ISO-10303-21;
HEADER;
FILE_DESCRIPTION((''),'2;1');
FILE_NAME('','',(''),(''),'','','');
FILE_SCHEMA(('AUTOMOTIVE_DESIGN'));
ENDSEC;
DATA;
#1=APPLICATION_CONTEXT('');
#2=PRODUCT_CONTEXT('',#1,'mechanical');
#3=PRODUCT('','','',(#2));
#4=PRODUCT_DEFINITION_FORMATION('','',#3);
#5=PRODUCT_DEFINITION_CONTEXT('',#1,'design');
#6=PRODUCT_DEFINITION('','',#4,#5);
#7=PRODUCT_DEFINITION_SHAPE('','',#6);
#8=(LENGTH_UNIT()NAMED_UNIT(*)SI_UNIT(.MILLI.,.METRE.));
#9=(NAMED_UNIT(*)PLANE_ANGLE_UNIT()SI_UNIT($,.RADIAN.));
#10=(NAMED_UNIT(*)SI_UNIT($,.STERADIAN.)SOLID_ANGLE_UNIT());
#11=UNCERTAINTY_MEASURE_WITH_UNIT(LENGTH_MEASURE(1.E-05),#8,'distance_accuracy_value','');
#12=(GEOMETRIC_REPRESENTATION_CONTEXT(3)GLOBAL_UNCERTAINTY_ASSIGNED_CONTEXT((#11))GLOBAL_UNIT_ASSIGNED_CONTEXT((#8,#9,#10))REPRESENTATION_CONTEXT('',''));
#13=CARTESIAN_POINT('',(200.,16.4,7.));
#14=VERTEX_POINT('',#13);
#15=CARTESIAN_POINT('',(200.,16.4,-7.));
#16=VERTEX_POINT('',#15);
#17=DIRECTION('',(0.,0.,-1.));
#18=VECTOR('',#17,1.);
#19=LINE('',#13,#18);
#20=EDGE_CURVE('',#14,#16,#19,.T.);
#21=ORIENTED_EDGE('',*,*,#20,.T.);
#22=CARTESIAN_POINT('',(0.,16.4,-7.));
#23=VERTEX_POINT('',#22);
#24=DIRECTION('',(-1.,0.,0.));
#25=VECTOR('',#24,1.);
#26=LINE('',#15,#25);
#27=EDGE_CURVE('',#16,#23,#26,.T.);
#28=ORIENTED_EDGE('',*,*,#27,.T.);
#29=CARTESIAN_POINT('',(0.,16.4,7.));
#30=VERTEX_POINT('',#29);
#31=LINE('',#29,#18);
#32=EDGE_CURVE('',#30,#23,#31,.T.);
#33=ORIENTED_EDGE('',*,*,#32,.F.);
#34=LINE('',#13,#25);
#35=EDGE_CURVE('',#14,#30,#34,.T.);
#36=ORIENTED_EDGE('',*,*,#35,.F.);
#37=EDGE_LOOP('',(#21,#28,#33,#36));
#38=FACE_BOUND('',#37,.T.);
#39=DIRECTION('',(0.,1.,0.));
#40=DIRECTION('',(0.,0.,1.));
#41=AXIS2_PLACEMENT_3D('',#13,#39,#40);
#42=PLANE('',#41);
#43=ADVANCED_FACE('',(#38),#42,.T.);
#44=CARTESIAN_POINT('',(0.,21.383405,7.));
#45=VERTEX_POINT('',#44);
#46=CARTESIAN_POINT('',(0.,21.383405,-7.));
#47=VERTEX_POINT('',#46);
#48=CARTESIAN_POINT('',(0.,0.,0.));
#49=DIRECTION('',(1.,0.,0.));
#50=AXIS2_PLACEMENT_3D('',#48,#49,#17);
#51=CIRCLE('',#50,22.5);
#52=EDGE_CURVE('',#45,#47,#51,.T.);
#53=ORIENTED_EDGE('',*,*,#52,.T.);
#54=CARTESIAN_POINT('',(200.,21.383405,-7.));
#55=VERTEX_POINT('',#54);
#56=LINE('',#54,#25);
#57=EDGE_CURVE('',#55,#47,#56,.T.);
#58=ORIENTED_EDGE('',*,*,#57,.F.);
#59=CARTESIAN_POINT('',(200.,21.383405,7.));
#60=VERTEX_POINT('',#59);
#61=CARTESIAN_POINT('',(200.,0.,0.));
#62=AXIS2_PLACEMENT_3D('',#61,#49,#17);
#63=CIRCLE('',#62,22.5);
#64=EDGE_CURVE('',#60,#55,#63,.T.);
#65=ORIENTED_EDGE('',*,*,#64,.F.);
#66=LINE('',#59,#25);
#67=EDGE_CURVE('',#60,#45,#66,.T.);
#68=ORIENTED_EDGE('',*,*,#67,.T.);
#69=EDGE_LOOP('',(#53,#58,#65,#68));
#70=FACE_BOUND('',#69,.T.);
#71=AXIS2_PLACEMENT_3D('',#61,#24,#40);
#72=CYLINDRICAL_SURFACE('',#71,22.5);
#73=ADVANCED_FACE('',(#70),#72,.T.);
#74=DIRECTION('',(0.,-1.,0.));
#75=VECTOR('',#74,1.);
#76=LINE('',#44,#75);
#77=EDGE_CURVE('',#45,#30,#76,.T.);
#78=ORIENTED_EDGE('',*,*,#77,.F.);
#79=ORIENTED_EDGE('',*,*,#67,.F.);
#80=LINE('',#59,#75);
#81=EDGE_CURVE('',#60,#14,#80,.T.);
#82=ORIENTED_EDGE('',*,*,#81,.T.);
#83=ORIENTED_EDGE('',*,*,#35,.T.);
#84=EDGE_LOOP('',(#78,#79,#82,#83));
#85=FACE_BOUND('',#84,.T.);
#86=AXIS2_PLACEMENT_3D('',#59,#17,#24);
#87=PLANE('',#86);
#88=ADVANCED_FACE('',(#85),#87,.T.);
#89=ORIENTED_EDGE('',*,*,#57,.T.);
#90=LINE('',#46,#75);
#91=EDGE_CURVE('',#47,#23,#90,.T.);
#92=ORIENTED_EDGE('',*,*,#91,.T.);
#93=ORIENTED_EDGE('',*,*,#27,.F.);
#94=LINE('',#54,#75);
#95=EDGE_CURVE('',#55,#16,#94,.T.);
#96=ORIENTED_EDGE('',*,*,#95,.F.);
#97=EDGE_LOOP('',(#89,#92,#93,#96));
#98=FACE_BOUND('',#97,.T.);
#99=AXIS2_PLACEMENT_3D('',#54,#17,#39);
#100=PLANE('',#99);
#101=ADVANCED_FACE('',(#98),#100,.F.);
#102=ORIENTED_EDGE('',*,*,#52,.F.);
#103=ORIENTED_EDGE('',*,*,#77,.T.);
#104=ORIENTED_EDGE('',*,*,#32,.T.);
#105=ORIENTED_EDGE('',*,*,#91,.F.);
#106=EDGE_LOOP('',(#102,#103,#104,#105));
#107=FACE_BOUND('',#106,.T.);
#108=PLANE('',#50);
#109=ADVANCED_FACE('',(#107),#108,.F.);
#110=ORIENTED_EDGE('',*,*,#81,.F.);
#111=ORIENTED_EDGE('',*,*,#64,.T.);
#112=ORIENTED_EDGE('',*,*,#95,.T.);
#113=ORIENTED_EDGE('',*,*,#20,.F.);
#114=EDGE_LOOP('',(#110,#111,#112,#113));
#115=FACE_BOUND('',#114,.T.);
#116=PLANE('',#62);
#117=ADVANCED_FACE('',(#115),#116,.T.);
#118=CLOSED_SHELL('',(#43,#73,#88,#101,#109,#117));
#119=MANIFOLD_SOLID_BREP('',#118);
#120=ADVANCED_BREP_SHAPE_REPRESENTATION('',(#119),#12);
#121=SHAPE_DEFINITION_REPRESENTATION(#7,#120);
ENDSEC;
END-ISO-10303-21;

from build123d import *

# Parameters (mm, degrees)
BOSS_EXTRUDE1_DEPTH = 200


with BuildPart() as part:
    # Sketch2 → Boss-Extrude1 (new body)
    with BuildSketch(Plane(origin=(0, 0, 0), x_dir=(0, 0, -1), z_dir=(1, 0, 0))):
        with BuildLine():
            Line((-7, 21.38340478), (-7, 16.4))
            Line((-7, 16.4), (7, 16.4))
            Line((7, 16.4), (7, 21.38340478))
            ThreePointArc((7, 21.38340478), (0, -22.5), (-7, 21.38340478))
        make_face()
    extrude(amount=BOSS_EXTRUDE1_DEPTH)


solid = part.part
